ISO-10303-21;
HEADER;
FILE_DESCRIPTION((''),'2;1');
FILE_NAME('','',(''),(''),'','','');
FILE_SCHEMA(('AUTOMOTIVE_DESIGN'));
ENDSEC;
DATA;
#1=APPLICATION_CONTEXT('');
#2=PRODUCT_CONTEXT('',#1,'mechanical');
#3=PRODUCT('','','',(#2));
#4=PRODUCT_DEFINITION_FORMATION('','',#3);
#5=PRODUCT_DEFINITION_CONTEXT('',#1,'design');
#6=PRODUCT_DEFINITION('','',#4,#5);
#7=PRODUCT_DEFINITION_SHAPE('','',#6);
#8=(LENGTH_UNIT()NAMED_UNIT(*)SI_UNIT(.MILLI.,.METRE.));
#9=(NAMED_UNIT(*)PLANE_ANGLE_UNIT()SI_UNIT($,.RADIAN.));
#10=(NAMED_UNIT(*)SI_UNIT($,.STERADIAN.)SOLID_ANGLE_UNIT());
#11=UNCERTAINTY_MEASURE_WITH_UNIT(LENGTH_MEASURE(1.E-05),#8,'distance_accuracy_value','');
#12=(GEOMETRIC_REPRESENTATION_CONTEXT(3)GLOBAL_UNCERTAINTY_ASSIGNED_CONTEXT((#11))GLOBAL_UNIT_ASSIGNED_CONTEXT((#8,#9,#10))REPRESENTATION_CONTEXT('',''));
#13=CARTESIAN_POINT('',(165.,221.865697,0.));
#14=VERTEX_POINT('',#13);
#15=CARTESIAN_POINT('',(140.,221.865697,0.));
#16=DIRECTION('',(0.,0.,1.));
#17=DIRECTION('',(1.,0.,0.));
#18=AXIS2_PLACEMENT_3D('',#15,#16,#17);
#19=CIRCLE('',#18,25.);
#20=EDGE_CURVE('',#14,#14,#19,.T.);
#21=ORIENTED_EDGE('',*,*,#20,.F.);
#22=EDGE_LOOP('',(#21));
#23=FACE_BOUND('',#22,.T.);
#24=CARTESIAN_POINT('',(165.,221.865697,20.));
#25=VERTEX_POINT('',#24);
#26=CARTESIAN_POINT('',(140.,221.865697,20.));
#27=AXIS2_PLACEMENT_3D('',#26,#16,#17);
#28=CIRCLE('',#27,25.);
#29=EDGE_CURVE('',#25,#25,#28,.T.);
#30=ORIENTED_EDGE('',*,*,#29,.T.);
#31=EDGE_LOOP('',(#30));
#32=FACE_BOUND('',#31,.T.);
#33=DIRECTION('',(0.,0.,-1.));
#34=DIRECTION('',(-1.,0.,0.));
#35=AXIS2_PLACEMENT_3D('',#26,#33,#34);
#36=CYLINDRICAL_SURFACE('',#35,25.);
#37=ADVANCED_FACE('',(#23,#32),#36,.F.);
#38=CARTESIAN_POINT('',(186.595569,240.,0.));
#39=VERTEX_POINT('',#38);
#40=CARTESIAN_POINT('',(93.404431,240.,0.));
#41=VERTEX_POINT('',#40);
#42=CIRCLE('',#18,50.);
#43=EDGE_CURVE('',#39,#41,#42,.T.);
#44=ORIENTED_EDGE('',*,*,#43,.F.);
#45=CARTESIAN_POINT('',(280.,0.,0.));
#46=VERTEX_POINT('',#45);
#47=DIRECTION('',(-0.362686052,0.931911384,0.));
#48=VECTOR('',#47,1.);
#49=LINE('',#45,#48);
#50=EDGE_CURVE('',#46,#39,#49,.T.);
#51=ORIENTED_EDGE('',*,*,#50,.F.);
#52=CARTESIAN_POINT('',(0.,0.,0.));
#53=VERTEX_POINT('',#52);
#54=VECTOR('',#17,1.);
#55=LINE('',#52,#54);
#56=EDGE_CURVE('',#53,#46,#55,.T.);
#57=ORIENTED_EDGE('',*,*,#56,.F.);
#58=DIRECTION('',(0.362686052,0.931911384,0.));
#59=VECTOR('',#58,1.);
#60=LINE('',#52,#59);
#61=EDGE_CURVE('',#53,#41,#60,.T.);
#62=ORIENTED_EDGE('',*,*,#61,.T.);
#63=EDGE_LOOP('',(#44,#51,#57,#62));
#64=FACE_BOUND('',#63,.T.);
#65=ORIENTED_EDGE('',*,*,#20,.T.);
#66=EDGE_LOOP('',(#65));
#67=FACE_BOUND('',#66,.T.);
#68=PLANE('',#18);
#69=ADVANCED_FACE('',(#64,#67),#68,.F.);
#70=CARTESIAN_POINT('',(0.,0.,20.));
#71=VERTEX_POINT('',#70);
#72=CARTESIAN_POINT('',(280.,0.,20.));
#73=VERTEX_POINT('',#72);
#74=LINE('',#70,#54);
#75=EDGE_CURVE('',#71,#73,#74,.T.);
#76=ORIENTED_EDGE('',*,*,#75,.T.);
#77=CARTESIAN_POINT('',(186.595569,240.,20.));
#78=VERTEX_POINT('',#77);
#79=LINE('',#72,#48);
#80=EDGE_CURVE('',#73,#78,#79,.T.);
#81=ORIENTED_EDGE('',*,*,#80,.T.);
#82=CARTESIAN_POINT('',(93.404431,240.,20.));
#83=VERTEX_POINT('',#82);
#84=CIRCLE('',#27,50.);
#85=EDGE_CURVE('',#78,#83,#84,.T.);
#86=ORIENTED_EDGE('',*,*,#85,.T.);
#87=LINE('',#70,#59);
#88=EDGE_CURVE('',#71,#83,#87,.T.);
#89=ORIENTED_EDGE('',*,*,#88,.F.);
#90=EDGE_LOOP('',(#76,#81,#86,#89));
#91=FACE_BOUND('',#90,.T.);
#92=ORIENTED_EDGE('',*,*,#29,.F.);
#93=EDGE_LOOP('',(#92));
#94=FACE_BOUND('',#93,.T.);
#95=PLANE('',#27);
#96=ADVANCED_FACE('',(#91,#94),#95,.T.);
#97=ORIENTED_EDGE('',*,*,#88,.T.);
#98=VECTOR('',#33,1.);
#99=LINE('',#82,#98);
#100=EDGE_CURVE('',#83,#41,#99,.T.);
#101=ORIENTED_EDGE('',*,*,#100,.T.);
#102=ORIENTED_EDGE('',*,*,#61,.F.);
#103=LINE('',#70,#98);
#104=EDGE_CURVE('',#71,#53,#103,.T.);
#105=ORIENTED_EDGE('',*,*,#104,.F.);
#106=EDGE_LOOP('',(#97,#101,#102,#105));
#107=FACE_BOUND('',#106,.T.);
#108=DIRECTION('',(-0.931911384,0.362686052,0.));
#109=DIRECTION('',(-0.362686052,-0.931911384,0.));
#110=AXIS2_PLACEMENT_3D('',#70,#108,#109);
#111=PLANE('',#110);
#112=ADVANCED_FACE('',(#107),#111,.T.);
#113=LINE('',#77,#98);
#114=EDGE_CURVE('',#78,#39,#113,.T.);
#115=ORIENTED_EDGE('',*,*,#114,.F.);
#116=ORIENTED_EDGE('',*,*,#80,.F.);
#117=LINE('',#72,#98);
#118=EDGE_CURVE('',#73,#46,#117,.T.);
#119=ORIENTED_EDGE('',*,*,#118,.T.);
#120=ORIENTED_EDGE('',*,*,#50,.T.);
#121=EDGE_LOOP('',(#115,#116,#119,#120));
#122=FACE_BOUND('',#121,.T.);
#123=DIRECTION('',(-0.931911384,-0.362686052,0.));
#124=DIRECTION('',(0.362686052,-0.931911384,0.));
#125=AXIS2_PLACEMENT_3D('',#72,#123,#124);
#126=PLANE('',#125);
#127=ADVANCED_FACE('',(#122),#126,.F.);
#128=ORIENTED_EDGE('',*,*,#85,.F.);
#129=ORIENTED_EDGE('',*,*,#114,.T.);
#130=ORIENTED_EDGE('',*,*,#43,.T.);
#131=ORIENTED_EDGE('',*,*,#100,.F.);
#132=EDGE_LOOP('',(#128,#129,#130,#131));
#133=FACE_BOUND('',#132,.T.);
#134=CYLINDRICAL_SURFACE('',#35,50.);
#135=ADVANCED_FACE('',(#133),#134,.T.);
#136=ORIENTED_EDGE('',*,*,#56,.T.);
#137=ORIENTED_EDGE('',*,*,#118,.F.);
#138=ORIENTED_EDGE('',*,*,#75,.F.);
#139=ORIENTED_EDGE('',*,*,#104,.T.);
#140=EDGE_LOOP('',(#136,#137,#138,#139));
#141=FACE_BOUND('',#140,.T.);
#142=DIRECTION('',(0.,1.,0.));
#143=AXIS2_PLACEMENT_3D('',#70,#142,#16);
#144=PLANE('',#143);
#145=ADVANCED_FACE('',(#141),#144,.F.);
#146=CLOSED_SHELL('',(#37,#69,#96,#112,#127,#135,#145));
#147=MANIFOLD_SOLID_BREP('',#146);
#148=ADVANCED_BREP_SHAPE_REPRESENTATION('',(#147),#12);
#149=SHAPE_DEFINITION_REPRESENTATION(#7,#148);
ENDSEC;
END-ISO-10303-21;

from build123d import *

# Parameters (mm, degrees)
SKETCH_1_R      = 25
EXTRUDE_1_DEPTH = 20


with BuildPart() as part:
    # 草圖1 → 填料-伸長1 (new body)
    with BuildSketch(Plane.XY):
        with BuildLine():
            Line((0, 0), (280, 0))
            Line((280, 0), (186.595569209, 240))
            ThreePointArc((186.595569209, 240), (140, 271.865697419), (93.404430791, 240))
            Line((93.404430791, 240), (0, 0))
        make_face()
        with Locations((140, 221.865697419)):
            Circle(SKETCH_1_R, mode=Mode.SUBTRACT)
    extrude(amount=EXTRUDE_1_DEPTH)


solid = part.part
